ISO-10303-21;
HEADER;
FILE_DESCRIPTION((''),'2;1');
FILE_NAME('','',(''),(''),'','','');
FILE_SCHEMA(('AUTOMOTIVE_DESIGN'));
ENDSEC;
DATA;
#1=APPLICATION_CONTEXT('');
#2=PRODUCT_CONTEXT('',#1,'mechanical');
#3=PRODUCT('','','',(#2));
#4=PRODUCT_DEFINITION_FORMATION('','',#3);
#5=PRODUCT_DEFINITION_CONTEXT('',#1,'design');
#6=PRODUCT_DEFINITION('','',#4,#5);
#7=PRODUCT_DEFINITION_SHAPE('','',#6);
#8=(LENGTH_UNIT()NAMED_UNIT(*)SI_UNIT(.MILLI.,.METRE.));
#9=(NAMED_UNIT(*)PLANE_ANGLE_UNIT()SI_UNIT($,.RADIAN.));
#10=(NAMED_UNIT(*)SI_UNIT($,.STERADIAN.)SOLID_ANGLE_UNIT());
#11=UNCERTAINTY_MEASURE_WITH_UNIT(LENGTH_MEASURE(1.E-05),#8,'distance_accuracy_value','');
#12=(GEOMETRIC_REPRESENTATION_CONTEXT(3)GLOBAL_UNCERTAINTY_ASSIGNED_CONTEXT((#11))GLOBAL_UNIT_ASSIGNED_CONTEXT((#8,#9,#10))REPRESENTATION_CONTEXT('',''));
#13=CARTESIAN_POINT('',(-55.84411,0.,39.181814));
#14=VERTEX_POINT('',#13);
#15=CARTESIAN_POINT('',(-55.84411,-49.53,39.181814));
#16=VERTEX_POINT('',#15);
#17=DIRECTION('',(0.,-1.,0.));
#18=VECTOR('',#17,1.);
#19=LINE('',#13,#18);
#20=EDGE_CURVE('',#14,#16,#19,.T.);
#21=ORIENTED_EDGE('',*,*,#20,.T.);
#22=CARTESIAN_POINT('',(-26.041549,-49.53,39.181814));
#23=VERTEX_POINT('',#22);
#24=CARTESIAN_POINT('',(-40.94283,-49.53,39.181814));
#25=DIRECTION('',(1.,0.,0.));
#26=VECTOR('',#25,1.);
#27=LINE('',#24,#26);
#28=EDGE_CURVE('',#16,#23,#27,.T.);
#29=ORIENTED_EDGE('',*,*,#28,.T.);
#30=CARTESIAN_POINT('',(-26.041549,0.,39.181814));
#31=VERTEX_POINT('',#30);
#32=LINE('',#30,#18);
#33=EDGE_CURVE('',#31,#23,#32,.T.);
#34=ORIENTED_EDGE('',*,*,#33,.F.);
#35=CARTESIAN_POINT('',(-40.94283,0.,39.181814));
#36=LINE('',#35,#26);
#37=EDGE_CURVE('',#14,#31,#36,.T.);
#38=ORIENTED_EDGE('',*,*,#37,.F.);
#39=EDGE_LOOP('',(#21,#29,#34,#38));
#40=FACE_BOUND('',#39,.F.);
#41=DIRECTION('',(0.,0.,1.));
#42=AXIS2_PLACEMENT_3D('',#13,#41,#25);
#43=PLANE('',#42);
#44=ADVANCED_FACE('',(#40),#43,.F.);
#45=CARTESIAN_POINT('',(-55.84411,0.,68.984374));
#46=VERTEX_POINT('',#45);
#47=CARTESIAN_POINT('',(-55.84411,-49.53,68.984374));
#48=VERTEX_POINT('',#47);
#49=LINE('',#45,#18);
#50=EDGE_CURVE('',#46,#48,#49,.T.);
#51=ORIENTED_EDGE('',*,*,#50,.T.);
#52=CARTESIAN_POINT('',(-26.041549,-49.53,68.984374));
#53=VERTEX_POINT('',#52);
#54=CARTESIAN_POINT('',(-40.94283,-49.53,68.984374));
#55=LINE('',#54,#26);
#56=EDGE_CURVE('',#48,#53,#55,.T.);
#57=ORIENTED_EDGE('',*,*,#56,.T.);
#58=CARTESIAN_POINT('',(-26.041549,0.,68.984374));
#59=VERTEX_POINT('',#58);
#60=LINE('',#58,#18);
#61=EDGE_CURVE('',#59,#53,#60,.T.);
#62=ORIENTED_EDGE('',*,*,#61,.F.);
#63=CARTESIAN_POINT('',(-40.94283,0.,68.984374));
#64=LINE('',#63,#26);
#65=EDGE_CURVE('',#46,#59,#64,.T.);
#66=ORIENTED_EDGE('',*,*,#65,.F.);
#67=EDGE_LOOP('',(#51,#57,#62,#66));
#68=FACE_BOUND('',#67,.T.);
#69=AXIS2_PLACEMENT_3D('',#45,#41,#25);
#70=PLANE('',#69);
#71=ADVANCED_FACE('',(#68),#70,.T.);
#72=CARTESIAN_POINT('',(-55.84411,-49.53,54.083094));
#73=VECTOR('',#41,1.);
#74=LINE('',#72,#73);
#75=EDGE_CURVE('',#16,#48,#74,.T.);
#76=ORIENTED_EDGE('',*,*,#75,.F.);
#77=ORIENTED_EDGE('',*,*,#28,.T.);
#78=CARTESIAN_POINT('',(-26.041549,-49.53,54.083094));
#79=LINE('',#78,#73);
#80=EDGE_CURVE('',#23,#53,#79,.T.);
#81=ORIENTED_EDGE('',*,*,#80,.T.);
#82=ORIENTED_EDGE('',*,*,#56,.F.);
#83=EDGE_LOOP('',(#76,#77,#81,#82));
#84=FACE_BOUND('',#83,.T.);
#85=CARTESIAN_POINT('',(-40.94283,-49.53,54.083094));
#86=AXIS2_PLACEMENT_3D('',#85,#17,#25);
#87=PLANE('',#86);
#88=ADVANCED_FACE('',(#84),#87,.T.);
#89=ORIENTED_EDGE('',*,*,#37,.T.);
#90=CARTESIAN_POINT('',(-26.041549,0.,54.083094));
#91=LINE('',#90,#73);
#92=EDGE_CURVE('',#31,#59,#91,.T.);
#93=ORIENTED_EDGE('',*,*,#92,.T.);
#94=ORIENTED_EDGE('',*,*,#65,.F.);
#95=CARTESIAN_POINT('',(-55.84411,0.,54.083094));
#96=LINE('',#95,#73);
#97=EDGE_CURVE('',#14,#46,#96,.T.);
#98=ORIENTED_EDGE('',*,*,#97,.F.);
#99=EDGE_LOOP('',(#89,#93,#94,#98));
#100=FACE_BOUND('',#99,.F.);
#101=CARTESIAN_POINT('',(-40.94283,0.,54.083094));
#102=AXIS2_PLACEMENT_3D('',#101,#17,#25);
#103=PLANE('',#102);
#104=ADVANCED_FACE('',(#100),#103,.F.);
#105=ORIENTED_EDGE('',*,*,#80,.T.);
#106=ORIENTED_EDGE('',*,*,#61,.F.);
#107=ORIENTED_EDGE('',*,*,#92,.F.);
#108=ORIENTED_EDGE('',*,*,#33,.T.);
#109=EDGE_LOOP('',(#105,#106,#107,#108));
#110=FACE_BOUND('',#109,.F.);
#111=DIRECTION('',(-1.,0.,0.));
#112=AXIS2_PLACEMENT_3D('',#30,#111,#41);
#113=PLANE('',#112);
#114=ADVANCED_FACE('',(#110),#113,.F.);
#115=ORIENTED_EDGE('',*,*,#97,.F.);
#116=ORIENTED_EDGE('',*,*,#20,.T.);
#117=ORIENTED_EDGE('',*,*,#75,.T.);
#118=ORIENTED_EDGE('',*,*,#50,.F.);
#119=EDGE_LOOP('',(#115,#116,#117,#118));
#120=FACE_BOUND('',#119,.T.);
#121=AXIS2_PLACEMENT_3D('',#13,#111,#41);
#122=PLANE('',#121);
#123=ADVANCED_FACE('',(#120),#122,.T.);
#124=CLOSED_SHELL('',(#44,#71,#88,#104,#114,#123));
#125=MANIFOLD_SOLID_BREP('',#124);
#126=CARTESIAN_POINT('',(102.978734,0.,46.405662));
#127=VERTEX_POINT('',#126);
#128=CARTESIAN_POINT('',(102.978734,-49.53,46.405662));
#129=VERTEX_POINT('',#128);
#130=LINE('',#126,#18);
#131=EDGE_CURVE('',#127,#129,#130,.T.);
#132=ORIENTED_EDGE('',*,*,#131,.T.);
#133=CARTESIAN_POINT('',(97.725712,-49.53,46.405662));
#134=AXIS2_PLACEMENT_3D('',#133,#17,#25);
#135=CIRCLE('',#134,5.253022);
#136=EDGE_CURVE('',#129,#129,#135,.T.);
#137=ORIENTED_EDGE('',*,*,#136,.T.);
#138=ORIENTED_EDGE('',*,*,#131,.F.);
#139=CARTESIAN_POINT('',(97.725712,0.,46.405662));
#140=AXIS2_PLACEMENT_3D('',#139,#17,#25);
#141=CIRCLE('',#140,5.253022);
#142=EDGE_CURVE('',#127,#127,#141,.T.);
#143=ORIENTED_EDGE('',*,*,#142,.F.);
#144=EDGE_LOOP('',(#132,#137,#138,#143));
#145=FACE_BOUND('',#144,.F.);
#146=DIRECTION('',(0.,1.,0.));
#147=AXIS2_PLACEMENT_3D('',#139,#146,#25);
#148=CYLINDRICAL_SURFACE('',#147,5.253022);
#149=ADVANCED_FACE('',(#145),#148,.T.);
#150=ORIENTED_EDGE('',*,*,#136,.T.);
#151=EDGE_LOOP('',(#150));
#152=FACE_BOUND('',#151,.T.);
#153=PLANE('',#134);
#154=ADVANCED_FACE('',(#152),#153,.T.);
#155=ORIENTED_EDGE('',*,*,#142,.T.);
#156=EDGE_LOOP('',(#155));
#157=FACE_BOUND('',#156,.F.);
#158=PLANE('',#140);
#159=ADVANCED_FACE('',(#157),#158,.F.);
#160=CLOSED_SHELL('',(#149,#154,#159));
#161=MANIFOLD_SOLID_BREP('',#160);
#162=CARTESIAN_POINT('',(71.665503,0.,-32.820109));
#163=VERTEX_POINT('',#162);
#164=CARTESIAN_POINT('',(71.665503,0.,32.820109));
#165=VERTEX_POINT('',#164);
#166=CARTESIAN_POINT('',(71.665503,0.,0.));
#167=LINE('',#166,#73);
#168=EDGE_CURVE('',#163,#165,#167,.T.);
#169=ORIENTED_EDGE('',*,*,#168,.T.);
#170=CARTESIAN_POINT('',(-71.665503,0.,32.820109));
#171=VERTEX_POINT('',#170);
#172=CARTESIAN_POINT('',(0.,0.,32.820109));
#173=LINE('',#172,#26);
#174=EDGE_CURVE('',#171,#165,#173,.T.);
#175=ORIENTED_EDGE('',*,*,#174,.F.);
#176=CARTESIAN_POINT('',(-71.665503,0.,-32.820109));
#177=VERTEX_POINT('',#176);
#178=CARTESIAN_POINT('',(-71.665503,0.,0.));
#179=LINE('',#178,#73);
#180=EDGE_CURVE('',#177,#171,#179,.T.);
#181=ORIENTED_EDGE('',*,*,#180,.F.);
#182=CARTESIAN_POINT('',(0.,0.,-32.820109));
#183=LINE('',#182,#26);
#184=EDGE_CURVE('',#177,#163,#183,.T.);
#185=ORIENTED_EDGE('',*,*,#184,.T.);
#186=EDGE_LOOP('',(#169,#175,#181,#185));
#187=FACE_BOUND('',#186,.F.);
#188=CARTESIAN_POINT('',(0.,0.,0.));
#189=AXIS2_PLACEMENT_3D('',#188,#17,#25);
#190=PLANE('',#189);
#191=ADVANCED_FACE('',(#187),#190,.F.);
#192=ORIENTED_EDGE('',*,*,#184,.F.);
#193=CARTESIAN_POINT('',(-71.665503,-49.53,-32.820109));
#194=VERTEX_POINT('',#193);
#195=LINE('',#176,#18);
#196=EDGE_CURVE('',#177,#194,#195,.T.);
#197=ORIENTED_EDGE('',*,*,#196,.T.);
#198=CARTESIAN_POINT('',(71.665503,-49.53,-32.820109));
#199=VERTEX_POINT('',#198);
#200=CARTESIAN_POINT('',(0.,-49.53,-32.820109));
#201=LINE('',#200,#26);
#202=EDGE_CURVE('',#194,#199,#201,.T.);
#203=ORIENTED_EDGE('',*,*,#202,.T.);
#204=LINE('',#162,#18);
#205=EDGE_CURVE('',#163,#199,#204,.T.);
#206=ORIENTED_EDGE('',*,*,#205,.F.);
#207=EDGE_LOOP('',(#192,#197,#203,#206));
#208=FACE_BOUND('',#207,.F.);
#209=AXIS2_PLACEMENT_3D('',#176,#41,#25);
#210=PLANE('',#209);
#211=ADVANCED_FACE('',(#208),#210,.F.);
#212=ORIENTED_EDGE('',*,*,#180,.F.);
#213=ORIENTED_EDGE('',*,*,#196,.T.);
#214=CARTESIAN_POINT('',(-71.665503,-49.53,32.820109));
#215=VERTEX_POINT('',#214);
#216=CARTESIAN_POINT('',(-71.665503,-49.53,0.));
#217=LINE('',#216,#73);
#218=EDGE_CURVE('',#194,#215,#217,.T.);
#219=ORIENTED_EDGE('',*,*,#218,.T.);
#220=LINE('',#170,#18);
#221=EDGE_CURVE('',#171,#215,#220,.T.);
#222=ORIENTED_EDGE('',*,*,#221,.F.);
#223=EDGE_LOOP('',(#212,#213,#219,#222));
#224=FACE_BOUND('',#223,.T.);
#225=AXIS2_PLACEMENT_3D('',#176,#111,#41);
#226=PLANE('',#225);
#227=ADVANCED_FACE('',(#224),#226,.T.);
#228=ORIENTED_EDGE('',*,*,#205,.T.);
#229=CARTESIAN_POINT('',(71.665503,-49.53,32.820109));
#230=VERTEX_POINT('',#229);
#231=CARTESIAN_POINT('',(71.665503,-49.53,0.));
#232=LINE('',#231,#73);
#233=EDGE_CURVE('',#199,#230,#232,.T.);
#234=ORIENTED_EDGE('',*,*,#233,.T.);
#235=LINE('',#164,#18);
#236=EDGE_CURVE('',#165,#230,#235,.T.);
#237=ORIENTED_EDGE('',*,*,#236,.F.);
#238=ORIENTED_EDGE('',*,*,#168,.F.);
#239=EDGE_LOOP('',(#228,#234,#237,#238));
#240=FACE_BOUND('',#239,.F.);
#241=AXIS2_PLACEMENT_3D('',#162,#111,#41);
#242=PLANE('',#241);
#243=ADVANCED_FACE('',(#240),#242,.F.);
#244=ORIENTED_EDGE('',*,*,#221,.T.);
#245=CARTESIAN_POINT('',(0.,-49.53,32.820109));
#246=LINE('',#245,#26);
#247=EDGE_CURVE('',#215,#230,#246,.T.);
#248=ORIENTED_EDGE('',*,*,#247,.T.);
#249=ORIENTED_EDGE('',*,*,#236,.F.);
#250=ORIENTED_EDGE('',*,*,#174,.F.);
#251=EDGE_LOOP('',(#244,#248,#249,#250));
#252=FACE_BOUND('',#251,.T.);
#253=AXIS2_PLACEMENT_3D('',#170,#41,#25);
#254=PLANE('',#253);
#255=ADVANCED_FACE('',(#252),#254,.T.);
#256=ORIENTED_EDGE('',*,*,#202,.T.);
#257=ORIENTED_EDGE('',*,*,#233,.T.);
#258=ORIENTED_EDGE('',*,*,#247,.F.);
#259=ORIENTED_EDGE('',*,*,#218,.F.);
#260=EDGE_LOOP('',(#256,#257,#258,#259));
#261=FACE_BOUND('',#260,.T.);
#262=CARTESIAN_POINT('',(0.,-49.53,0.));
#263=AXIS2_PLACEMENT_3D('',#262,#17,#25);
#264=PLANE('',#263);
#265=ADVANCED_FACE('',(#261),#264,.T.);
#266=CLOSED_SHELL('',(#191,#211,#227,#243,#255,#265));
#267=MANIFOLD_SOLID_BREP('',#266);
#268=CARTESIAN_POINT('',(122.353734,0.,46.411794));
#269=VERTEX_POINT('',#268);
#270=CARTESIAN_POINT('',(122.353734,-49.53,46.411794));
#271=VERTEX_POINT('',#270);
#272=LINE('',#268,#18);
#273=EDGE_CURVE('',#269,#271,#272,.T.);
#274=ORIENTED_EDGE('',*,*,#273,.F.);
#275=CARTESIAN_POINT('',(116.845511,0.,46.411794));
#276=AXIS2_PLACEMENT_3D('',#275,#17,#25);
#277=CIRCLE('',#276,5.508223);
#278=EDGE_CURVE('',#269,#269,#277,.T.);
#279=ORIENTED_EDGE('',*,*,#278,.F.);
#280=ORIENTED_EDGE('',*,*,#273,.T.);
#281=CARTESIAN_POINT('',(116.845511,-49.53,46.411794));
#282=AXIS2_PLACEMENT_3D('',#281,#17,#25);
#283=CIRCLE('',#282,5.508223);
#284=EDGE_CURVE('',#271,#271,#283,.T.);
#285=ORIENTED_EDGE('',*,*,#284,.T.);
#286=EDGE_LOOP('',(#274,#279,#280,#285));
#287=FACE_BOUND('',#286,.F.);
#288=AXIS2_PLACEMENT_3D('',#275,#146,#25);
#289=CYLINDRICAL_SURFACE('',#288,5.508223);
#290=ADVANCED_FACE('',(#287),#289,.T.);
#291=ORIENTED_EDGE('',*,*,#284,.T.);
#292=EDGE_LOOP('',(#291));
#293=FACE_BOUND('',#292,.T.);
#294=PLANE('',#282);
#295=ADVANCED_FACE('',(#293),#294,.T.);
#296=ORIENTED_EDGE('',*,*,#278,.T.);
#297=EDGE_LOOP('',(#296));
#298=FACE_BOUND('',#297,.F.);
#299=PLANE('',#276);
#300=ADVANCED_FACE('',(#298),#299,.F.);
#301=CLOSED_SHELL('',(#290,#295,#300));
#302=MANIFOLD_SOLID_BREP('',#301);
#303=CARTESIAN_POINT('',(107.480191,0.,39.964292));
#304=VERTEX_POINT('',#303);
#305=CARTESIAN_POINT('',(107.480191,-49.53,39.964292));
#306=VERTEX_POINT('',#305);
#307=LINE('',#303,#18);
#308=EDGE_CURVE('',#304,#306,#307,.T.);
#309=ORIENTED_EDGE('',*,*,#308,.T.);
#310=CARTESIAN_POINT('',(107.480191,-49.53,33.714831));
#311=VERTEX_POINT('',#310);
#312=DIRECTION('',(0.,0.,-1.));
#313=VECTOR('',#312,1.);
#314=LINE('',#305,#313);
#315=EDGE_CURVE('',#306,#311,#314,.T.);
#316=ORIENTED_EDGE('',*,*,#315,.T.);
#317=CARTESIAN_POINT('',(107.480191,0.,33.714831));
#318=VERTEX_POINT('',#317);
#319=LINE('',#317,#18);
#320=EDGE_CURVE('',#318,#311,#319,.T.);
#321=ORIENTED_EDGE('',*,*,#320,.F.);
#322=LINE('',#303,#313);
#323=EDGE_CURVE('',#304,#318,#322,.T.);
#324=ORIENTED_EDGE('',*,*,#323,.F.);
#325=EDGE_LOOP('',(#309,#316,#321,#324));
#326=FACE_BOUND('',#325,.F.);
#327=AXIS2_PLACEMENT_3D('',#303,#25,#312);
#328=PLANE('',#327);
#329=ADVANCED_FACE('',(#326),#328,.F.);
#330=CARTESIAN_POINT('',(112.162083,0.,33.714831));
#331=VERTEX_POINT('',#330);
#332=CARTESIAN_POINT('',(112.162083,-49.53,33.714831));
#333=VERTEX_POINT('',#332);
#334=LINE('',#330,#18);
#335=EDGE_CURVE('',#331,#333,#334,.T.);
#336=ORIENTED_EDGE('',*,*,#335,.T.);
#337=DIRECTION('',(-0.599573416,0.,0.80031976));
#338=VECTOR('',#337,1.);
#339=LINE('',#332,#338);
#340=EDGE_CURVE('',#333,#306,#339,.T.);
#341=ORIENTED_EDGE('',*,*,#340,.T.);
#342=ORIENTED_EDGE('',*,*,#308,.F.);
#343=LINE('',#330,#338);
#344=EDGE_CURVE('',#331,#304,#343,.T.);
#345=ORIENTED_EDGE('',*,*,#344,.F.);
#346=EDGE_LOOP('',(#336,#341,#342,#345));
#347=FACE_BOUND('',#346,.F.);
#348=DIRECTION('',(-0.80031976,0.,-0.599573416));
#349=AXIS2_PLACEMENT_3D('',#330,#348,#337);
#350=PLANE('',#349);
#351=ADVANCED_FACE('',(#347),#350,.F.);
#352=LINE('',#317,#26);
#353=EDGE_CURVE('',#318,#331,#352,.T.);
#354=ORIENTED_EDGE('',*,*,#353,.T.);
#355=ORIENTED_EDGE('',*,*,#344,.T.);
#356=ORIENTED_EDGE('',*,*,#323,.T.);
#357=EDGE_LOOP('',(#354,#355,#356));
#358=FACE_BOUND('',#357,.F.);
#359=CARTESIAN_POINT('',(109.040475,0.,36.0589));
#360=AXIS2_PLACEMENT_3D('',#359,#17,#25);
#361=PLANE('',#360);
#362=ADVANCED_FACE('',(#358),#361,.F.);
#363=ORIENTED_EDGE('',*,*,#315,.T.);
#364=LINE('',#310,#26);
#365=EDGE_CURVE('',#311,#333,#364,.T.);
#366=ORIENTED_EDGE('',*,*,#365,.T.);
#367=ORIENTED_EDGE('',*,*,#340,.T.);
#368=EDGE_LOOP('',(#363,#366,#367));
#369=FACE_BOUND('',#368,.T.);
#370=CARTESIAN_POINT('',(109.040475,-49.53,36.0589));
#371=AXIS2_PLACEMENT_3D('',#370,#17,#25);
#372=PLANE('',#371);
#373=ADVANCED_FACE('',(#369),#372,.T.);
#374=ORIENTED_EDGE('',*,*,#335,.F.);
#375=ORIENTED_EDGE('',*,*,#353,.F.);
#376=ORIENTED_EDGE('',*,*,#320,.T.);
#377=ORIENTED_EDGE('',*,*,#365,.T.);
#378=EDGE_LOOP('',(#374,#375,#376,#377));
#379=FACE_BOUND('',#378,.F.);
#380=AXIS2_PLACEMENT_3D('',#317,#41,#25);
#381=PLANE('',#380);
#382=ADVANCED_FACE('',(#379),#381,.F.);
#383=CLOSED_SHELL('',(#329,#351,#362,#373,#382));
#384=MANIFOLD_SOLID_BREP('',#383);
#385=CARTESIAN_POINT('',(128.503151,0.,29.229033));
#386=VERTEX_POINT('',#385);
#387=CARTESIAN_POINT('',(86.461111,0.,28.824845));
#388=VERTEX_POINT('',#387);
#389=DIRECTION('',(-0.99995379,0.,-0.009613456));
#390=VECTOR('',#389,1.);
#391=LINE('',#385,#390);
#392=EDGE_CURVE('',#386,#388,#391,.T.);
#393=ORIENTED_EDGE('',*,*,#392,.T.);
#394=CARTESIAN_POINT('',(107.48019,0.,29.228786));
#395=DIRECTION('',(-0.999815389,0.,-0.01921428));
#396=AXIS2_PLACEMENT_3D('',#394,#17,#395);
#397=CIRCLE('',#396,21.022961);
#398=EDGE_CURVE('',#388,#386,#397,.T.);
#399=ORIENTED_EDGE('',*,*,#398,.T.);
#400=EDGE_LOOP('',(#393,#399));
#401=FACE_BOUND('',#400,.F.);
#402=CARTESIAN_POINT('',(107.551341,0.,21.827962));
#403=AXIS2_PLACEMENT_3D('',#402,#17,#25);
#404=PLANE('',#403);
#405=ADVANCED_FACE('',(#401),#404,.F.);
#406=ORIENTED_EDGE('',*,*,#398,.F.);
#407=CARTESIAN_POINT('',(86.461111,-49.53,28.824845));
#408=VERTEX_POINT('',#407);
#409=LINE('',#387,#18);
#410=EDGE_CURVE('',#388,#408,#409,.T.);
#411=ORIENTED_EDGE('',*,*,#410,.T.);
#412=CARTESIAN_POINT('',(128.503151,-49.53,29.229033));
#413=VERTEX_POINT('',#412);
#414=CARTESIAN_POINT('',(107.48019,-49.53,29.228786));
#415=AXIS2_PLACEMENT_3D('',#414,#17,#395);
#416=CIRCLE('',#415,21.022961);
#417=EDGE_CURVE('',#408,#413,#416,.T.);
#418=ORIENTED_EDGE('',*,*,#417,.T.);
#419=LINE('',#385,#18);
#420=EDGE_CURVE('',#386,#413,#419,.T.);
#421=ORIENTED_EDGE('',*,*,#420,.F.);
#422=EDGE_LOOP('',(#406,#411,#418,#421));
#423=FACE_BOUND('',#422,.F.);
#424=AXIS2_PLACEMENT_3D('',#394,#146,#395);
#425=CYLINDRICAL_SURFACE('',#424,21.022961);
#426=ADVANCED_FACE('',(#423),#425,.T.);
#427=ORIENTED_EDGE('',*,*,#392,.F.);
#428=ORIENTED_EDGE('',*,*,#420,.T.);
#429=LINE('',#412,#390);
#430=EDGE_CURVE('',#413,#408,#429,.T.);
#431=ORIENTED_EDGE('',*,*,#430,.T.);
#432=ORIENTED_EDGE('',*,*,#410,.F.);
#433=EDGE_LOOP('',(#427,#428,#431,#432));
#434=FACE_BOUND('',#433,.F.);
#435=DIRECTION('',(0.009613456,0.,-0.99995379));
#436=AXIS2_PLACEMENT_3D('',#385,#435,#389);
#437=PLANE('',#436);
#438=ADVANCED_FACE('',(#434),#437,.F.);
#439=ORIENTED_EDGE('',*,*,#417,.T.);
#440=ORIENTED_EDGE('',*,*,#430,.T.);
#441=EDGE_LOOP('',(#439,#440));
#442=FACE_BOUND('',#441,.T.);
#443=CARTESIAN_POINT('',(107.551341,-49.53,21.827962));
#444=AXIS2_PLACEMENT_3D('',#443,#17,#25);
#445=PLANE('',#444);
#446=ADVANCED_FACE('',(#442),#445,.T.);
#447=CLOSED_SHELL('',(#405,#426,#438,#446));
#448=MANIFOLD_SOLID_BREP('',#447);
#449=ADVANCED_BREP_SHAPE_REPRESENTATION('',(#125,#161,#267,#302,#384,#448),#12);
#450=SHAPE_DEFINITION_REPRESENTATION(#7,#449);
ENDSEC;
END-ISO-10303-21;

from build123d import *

# Parameters (mm, degrees)
F1_R     = 5.253022
F1_R_2   = 5.508223
F0_W     = 143.331006
F0_H     = 65.640218
F0_W_2   = 29.802561
F0_H_2   = 29.80256
F2_DEPTH = 49.53


with BuildPart() as f2:
    # F1 (on face) + F0 (on Front) → F2 (new body)
    with BuildSketch(Plane.XZ):
        with Locations((97.725712, 46.405662)):
            Circle(F1_R)
        with Locations((116.845511, 46.411794)):
            Circle(F1_R_2)
        Polygon((112.162083, 33.714831), (107.480191, 39.964292), (107.480191, 33.714831), align=None)
        with BuildLine():
            Line((128.503151, 29.229033), (86.461111, 28.824845))
            ThreePointArc((86.461111, 28.824845), (107.682294, 8.206797), (128.503151, 29.229033))
        make_face()
    with BuildSketch(Plane.XZ):
        Rectangle(F0_W, F0_H)
        with Locations((-40.94283, 54.083094)):
            Rectangle(F0_W_2, F0_H_2)
    extrude(amount=F2_DEPTH)


solid = f2.part
